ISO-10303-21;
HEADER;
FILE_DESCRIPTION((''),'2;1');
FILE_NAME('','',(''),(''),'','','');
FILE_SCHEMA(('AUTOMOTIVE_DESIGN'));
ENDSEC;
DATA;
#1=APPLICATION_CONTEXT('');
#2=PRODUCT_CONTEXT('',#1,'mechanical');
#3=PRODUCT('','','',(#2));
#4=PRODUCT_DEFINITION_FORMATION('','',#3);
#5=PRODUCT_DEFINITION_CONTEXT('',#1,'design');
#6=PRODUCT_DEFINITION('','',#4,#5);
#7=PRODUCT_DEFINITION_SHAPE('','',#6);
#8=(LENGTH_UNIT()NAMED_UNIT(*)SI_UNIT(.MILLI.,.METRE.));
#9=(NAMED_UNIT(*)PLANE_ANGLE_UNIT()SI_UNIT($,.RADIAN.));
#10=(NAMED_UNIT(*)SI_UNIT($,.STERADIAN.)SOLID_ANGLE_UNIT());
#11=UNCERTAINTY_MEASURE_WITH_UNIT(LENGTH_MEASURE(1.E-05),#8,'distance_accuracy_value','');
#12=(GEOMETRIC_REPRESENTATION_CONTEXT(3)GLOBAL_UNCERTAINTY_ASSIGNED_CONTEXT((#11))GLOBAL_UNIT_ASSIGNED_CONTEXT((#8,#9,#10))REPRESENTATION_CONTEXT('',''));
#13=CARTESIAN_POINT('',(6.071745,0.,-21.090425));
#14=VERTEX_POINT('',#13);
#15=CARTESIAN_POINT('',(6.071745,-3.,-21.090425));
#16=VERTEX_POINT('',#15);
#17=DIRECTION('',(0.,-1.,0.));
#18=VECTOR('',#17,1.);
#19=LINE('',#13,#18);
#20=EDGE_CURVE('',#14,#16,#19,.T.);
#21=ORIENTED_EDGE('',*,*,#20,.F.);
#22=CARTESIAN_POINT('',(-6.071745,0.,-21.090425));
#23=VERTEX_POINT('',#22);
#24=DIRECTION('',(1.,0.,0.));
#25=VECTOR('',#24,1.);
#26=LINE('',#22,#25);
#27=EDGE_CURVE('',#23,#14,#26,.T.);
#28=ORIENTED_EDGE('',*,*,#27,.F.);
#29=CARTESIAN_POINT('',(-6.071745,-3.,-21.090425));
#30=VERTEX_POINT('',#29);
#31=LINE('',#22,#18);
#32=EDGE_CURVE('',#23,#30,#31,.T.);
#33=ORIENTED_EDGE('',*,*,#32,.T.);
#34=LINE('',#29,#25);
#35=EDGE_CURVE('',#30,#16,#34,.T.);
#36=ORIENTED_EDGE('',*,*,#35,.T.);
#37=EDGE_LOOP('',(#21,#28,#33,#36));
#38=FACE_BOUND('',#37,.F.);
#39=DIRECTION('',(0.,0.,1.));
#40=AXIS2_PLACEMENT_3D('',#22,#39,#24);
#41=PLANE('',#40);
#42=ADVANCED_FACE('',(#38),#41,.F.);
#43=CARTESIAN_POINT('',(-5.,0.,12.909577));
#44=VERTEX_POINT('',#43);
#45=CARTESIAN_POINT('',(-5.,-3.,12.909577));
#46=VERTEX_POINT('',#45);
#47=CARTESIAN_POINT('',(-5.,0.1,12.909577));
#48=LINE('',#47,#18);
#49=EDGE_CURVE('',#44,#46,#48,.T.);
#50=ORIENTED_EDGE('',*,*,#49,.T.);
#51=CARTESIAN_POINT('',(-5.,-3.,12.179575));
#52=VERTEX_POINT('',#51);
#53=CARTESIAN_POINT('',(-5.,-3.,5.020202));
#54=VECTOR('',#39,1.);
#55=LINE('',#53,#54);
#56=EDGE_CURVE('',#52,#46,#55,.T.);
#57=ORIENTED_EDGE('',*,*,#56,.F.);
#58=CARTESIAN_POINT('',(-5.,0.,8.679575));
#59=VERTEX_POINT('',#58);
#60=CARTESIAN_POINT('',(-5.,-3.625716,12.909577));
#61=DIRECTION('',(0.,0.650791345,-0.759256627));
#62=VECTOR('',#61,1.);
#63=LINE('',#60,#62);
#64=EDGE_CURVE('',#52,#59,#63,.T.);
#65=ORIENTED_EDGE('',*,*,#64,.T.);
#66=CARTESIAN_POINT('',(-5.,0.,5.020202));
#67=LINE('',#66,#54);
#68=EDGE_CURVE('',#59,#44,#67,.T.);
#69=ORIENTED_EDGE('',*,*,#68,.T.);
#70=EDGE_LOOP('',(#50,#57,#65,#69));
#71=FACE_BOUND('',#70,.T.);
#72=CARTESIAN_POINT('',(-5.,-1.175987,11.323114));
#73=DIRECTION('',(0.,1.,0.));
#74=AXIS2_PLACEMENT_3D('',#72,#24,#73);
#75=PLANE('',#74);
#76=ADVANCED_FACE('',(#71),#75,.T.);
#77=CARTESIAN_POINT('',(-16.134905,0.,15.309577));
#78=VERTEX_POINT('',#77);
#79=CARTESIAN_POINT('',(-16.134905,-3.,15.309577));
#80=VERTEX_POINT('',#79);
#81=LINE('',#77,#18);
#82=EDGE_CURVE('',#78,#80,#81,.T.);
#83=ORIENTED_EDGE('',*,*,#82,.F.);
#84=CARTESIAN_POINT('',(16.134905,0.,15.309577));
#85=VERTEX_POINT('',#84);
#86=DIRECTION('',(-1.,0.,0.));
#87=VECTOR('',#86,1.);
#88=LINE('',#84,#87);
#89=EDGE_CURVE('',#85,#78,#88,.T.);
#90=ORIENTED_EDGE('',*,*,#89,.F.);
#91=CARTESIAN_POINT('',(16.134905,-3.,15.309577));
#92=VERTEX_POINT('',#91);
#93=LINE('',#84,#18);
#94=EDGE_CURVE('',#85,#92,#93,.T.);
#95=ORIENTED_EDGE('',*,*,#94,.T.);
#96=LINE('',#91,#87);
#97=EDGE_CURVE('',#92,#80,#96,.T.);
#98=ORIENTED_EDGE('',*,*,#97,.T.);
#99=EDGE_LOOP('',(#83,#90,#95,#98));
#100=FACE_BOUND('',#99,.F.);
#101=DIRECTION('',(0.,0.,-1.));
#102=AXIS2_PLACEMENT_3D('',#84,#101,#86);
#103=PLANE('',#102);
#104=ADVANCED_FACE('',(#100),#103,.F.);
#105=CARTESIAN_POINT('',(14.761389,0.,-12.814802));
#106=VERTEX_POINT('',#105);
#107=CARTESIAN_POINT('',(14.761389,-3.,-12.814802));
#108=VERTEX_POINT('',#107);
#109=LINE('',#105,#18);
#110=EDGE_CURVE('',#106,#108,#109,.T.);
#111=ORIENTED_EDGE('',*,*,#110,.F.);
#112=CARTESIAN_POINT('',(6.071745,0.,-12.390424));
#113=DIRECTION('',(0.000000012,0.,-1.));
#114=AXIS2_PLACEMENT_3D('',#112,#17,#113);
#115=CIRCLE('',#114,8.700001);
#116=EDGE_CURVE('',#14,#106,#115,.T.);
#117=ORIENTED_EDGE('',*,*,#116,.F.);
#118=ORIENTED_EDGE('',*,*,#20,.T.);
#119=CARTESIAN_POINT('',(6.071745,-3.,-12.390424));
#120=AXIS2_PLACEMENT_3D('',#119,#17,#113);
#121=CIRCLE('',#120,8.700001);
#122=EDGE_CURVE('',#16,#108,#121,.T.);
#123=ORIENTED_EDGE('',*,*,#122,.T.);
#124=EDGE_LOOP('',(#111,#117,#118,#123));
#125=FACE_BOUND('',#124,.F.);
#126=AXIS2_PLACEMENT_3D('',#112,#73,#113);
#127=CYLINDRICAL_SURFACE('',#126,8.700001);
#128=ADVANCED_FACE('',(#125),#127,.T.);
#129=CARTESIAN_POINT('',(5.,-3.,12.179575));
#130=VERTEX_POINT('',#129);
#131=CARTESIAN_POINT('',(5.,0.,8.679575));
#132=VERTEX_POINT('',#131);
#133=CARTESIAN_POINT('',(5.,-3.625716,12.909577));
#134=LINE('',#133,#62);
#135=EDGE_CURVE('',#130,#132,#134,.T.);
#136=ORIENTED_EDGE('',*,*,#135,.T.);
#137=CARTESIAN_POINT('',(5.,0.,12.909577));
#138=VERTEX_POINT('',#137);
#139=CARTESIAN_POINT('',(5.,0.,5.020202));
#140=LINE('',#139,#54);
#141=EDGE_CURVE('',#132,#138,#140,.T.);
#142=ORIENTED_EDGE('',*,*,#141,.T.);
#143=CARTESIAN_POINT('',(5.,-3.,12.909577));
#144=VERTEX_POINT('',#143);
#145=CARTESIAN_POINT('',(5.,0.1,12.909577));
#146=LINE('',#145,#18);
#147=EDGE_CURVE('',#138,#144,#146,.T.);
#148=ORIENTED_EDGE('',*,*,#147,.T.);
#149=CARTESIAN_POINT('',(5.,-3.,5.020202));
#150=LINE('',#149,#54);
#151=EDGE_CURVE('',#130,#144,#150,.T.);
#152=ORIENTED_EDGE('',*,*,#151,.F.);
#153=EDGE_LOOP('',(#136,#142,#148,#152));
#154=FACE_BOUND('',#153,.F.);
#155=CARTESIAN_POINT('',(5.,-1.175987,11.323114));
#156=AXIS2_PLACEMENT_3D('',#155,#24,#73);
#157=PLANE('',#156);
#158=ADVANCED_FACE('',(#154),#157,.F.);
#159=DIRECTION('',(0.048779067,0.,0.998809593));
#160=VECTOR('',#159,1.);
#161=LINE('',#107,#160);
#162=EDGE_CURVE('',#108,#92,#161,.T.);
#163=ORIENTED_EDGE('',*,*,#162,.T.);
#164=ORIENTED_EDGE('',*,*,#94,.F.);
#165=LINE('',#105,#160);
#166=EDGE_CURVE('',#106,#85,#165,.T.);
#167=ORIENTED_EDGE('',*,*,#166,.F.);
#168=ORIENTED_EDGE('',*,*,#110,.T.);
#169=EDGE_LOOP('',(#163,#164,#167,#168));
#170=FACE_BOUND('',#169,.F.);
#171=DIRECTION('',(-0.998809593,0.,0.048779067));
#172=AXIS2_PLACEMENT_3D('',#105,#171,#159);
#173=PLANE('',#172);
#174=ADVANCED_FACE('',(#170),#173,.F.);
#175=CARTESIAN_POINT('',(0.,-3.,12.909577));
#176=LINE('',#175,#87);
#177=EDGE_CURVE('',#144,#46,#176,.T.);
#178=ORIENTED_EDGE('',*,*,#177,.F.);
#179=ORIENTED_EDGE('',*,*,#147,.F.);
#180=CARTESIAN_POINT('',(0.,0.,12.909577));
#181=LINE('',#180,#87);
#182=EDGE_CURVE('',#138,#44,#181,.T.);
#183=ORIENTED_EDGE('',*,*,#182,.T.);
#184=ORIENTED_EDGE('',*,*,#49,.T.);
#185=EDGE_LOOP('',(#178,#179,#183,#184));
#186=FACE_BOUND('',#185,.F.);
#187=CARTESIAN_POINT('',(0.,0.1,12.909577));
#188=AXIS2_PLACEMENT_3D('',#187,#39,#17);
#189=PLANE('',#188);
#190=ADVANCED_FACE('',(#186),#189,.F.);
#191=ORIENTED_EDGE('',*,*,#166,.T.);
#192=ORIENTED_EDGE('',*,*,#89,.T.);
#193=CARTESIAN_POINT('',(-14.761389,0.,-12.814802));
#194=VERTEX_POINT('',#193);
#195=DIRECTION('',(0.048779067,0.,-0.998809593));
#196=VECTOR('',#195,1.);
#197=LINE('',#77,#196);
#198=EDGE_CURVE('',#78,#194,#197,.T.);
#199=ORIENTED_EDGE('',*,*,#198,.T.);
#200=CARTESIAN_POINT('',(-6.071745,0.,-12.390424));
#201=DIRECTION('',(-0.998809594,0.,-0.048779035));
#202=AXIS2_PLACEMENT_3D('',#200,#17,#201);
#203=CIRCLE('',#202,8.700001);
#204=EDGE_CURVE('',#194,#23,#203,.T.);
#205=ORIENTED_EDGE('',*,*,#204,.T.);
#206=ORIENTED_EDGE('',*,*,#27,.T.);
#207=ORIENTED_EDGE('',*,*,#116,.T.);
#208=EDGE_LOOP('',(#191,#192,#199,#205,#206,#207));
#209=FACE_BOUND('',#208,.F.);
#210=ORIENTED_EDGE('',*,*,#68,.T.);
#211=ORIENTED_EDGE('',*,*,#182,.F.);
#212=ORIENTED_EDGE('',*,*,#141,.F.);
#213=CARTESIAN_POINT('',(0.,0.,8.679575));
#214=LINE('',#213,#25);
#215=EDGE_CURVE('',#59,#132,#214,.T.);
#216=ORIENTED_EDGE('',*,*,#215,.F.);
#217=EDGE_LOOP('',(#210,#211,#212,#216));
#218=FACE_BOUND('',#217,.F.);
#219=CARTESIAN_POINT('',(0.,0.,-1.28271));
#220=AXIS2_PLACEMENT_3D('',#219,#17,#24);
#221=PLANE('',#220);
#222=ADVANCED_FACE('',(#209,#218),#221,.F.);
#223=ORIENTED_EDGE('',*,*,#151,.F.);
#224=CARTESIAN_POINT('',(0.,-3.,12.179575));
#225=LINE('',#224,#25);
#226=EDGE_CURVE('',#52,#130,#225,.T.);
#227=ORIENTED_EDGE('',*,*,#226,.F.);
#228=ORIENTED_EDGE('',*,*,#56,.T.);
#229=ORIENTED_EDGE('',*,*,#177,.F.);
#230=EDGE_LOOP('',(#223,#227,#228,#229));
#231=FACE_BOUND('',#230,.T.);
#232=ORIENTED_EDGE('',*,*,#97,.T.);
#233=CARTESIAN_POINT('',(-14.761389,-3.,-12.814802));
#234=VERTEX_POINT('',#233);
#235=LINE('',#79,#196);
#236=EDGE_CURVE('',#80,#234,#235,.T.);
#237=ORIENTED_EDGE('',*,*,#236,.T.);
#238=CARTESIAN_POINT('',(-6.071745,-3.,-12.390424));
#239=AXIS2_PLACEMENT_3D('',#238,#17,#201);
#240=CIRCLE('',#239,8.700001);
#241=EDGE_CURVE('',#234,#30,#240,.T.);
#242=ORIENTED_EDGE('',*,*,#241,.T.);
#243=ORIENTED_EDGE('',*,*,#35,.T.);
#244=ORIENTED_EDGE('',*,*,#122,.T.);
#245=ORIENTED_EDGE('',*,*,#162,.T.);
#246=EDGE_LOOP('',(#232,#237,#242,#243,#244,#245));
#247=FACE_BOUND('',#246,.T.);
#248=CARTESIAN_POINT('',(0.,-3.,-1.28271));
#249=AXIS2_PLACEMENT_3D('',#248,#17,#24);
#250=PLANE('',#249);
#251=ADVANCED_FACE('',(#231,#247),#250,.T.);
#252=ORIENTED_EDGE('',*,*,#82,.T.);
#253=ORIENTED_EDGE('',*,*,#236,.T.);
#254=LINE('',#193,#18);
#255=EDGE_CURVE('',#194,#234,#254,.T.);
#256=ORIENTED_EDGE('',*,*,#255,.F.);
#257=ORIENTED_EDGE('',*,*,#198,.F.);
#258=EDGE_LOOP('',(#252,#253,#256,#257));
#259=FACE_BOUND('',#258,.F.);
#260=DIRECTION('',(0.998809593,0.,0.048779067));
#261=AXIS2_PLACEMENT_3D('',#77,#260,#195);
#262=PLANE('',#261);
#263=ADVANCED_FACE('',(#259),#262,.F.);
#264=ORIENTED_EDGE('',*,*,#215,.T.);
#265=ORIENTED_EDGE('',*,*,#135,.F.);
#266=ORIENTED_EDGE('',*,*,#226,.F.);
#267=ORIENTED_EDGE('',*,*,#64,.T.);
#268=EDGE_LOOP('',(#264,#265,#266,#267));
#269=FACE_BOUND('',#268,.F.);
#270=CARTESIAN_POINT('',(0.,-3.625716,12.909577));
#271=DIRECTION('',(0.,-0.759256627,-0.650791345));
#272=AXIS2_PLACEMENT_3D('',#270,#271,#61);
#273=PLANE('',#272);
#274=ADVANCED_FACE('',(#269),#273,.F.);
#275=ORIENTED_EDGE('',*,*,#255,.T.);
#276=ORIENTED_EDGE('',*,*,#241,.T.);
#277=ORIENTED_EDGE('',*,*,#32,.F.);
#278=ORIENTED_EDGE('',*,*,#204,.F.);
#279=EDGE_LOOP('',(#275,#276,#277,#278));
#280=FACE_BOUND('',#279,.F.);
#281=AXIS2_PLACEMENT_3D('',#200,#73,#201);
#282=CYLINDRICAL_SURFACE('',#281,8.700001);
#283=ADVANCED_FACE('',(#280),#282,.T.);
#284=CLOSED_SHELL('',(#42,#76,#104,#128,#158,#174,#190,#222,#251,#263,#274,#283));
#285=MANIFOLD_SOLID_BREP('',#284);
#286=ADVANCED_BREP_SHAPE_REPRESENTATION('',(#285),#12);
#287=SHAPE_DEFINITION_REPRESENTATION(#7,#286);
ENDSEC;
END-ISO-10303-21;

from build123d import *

# Parameters (mm, degrees)
F1_DEPTH = 3
F3_DEPTH = 5


with BuildPart() as f1:
    # F0 (on Front) → F1 (new body)
    with BuildSketch(Plane.XZ):
        with BuildLine():
            Line((-16.134905, 15.309577), (-14.761389, -12.814802))
            ThreePointArc((-14.761389, -12.814802), (-12.071658, -18.690508), (-6.071745, -21.090425))
            Line((-6.071745, -21.090425), (6.071745, -21.090425))
            ThreePointArc((6.071745, -21.090425), (12.071658, -18.690508), (14.761389, -12.814802))
            Line((14.761389, -12.814802), (16.134905, 15.309577))
            Line((16.134905, 15.309577), (-16.134905, 15.309577))
        make_face()
    extrude(amount=F1_DEPTH)

    # F2 (on Right) → F3 (cut, symmetric)
    with BuildSketch(Plane.YZ):
        Polygon((-3.625716, 12.909577), (0.1, 8.562908), (0.1, 12.909577), align=None)
    extrude(amount=F3_DEPTH, both=True, mode=Mode.SUBTRACT)


solid = f1.part
